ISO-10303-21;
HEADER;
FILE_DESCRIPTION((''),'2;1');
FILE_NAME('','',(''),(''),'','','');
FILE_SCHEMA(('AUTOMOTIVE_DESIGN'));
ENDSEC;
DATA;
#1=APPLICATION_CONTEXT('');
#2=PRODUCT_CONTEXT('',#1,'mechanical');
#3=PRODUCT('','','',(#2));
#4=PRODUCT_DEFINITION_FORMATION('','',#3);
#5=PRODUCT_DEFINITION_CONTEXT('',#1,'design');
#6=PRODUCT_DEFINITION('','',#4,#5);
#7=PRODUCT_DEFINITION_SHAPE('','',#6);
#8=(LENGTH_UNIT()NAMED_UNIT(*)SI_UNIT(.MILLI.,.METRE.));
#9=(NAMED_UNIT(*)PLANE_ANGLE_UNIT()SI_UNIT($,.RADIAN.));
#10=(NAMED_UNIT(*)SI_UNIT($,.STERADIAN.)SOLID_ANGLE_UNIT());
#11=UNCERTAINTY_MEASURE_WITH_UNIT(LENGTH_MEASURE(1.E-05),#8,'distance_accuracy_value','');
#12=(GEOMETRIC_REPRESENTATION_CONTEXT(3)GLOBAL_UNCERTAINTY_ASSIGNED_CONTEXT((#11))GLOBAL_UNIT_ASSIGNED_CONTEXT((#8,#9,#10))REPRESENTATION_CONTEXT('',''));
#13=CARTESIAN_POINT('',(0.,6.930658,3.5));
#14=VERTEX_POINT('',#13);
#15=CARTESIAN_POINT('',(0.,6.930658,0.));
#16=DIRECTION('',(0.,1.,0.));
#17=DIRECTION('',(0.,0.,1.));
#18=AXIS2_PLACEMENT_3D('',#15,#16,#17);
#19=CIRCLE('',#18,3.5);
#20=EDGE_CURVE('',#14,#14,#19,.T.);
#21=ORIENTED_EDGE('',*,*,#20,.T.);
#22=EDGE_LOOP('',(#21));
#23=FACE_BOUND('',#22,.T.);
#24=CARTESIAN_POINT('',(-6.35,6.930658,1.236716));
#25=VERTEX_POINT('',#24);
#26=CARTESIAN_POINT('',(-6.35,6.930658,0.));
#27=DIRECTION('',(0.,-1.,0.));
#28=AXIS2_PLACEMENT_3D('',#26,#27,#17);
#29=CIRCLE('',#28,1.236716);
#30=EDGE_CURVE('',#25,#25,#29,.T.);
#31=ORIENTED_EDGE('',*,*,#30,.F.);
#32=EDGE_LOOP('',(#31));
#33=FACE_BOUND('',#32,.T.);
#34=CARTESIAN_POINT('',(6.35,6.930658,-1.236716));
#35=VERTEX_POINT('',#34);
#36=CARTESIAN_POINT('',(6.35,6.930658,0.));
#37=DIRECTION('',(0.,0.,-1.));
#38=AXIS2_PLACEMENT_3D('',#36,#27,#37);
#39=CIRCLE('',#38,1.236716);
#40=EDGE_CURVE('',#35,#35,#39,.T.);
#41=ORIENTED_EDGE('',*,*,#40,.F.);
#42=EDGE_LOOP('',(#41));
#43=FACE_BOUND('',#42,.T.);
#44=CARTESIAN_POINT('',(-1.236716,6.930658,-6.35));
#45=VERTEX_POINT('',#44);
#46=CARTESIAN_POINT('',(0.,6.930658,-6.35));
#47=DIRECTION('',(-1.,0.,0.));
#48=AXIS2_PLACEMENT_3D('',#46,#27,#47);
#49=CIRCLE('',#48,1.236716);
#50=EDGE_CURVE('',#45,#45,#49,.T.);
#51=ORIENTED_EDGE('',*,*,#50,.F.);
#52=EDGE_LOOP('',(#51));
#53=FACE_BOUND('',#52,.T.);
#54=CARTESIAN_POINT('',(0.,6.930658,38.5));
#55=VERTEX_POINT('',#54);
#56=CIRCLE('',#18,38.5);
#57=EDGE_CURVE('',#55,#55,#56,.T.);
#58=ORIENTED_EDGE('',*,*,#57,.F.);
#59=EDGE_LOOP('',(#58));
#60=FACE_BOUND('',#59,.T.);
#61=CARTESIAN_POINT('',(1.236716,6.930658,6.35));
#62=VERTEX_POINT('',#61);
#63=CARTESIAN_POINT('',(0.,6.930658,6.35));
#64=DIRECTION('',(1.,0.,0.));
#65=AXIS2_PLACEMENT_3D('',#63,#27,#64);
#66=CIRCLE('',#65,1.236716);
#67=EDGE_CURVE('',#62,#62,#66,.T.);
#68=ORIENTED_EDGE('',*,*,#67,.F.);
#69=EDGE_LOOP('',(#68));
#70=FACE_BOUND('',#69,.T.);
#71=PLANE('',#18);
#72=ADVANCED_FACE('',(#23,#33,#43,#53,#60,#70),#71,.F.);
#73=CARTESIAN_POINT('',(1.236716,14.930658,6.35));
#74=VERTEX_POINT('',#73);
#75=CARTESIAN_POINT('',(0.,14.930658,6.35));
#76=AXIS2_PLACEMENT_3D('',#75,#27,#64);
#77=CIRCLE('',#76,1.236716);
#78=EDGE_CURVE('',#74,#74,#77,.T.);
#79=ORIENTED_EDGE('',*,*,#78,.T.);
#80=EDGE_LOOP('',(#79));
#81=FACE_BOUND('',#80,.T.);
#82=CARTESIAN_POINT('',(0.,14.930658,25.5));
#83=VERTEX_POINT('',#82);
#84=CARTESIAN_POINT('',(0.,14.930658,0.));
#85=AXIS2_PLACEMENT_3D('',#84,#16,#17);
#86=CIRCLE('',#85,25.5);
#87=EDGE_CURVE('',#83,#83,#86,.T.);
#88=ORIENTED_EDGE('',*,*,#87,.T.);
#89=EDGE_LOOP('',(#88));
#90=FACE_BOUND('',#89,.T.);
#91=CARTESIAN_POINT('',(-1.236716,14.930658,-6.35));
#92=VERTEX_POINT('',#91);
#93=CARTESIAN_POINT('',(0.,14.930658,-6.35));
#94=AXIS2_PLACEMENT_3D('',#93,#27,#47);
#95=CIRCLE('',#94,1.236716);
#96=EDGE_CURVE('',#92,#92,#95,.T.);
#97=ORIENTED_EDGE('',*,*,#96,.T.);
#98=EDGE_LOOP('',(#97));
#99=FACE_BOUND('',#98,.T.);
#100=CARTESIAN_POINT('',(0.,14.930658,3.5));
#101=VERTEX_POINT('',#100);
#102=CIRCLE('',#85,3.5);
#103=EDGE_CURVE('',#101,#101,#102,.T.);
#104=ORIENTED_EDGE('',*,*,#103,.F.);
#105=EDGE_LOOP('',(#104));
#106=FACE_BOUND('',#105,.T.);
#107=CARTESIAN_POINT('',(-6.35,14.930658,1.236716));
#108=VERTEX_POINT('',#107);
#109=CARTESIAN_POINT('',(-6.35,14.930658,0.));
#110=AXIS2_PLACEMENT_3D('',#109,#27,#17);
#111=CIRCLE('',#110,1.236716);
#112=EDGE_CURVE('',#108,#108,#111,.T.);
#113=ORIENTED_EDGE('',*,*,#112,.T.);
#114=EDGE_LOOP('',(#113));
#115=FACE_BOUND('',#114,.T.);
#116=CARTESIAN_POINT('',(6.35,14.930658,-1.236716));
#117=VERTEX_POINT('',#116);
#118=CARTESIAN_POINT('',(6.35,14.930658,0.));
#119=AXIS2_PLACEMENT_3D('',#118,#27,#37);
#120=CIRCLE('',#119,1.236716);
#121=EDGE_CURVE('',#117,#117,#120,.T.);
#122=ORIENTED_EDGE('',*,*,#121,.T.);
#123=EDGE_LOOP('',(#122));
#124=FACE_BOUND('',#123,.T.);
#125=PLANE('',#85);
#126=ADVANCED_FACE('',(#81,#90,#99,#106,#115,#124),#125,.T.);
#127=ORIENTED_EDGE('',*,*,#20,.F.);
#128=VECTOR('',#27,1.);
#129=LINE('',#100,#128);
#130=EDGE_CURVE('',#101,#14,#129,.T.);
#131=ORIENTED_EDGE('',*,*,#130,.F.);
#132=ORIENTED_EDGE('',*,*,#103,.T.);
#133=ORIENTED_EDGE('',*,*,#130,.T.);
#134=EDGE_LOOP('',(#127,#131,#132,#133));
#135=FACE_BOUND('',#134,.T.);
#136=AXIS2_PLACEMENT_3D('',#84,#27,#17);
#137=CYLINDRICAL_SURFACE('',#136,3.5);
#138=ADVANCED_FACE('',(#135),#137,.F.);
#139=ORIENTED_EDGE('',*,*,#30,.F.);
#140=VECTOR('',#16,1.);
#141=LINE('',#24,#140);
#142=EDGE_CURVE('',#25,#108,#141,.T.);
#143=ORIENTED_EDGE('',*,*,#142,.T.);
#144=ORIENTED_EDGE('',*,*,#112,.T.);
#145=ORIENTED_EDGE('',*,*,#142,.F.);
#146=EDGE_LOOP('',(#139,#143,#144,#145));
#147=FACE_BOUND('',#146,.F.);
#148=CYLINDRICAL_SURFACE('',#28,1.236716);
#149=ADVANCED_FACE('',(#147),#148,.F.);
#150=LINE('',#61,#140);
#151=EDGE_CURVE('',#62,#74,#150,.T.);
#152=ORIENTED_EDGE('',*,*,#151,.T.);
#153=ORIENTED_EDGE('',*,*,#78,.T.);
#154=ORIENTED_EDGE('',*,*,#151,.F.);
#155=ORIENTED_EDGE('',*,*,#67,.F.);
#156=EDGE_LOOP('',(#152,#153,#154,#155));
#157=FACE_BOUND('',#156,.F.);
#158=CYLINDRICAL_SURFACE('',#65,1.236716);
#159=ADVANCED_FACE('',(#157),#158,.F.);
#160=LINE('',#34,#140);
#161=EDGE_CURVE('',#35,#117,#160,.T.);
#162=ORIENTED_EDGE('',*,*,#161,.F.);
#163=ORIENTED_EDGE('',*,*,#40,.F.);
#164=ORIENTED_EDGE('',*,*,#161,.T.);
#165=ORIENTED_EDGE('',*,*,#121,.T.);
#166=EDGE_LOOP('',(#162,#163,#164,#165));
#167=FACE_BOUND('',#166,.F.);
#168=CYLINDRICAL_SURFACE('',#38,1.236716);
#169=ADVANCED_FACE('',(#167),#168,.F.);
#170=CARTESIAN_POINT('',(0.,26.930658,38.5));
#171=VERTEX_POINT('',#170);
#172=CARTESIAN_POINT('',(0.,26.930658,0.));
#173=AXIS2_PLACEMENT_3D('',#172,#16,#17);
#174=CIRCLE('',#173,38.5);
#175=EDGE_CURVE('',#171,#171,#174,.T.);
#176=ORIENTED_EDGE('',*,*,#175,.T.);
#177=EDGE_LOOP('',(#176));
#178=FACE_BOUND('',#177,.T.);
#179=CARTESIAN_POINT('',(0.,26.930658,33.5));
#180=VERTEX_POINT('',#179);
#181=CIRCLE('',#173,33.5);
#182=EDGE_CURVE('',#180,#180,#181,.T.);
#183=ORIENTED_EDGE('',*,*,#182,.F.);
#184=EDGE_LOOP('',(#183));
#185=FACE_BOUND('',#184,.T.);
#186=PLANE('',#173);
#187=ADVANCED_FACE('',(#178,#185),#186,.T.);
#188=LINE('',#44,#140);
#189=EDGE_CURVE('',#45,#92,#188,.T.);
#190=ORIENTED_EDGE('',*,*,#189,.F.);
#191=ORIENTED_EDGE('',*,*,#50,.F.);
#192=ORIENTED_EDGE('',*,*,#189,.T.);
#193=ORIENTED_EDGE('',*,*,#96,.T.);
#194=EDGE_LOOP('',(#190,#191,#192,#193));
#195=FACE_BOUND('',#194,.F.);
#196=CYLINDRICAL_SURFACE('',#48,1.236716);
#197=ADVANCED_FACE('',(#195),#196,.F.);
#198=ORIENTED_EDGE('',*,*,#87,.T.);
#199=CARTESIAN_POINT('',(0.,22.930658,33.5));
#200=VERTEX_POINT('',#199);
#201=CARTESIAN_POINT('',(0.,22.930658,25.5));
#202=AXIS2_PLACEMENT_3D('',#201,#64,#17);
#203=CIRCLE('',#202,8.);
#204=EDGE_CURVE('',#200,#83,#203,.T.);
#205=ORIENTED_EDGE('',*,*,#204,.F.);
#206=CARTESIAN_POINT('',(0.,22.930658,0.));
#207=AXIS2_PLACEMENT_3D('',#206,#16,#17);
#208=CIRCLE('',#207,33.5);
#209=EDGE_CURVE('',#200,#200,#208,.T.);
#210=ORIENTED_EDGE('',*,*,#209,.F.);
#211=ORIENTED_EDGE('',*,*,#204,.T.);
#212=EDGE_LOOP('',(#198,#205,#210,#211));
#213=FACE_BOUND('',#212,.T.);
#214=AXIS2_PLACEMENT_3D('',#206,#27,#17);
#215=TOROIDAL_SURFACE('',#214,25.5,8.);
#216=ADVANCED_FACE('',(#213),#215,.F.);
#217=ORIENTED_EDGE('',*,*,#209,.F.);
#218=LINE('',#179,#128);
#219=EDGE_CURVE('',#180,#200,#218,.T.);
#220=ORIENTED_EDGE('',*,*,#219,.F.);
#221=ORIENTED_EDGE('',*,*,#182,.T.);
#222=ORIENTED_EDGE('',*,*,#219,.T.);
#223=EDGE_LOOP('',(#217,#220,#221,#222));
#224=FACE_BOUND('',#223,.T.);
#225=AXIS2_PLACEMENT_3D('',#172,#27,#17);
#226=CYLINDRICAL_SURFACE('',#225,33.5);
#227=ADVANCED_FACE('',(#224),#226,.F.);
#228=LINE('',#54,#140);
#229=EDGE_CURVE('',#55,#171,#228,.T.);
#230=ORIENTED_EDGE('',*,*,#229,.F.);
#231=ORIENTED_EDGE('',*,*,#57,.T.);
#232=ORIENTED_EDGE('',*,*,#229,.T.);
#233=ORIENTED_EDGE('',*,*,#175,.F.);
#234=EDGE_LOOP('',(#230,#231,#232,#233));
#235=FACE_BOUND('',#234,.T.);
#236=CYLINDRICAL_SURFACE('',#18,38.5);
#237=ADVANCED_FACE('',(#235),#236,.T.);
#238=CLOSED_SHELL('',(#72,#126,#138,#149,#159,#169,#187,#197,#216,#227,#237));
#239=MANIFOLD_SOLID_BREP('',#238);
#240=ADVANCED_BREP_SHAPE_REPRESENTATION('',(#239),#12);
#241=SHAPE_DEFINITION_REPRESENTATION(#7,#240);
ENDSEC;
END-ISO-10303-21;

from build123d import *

# Parameters (mm, degrees)
SKETCH001_R        = 1.236716
POCKET_DEPTH       = 241.432705
POLARPATTERN_COUNT = 4
FILLET_R           = 8


with BuildPart() as part:
    # Sketch → Revolution (revolve)
    with BuildSketch(Plane.YZ):
        Polygon((6.930658, 38.5), (26.930658, 38.5), (26.930658, 33.5), (14.930658, 33.5), (14.930658, 3.5), (6.930658, 3.5), align=None)
    revolve(axis=Axis((0, 0, 0), (0, 1, 0)))

    # Sketch001 (on Face6 of Revolution) → Pocket (cut, through all)
    with BuildSketch(Plane(origin=(0, 6.930658, 0), x_dir=(0, 0, -1), z_dir=(0, -1, 0))):
        with Locations((0, 6.35)):
            Circle(SKETCH001_R)
    pocket = extrude(amount=-POCKET_DEPTH, mode=Mode.SUBTRACT)

    # PolarPattern: Pocket ×4 about axis
    polarpattern_axis = Axis((0, 6.930658, 0), (0, -1, 0))
    for i in range(1, POLARPATTERN_COUNT):
        add(pocket.rotate(polarpattern_axis, i * 360 / POLARPATTERN_COUNT), mode=Mode.SUBTRACT)

    # Fillet
    fillet_edges = [part.edges().sort_by_distance(p)[0] for p in [
        (0, 14.930658, -33.5),
    ]]
    fillet(fillet_edges, radius=FILLET_R)


solid = part.part
